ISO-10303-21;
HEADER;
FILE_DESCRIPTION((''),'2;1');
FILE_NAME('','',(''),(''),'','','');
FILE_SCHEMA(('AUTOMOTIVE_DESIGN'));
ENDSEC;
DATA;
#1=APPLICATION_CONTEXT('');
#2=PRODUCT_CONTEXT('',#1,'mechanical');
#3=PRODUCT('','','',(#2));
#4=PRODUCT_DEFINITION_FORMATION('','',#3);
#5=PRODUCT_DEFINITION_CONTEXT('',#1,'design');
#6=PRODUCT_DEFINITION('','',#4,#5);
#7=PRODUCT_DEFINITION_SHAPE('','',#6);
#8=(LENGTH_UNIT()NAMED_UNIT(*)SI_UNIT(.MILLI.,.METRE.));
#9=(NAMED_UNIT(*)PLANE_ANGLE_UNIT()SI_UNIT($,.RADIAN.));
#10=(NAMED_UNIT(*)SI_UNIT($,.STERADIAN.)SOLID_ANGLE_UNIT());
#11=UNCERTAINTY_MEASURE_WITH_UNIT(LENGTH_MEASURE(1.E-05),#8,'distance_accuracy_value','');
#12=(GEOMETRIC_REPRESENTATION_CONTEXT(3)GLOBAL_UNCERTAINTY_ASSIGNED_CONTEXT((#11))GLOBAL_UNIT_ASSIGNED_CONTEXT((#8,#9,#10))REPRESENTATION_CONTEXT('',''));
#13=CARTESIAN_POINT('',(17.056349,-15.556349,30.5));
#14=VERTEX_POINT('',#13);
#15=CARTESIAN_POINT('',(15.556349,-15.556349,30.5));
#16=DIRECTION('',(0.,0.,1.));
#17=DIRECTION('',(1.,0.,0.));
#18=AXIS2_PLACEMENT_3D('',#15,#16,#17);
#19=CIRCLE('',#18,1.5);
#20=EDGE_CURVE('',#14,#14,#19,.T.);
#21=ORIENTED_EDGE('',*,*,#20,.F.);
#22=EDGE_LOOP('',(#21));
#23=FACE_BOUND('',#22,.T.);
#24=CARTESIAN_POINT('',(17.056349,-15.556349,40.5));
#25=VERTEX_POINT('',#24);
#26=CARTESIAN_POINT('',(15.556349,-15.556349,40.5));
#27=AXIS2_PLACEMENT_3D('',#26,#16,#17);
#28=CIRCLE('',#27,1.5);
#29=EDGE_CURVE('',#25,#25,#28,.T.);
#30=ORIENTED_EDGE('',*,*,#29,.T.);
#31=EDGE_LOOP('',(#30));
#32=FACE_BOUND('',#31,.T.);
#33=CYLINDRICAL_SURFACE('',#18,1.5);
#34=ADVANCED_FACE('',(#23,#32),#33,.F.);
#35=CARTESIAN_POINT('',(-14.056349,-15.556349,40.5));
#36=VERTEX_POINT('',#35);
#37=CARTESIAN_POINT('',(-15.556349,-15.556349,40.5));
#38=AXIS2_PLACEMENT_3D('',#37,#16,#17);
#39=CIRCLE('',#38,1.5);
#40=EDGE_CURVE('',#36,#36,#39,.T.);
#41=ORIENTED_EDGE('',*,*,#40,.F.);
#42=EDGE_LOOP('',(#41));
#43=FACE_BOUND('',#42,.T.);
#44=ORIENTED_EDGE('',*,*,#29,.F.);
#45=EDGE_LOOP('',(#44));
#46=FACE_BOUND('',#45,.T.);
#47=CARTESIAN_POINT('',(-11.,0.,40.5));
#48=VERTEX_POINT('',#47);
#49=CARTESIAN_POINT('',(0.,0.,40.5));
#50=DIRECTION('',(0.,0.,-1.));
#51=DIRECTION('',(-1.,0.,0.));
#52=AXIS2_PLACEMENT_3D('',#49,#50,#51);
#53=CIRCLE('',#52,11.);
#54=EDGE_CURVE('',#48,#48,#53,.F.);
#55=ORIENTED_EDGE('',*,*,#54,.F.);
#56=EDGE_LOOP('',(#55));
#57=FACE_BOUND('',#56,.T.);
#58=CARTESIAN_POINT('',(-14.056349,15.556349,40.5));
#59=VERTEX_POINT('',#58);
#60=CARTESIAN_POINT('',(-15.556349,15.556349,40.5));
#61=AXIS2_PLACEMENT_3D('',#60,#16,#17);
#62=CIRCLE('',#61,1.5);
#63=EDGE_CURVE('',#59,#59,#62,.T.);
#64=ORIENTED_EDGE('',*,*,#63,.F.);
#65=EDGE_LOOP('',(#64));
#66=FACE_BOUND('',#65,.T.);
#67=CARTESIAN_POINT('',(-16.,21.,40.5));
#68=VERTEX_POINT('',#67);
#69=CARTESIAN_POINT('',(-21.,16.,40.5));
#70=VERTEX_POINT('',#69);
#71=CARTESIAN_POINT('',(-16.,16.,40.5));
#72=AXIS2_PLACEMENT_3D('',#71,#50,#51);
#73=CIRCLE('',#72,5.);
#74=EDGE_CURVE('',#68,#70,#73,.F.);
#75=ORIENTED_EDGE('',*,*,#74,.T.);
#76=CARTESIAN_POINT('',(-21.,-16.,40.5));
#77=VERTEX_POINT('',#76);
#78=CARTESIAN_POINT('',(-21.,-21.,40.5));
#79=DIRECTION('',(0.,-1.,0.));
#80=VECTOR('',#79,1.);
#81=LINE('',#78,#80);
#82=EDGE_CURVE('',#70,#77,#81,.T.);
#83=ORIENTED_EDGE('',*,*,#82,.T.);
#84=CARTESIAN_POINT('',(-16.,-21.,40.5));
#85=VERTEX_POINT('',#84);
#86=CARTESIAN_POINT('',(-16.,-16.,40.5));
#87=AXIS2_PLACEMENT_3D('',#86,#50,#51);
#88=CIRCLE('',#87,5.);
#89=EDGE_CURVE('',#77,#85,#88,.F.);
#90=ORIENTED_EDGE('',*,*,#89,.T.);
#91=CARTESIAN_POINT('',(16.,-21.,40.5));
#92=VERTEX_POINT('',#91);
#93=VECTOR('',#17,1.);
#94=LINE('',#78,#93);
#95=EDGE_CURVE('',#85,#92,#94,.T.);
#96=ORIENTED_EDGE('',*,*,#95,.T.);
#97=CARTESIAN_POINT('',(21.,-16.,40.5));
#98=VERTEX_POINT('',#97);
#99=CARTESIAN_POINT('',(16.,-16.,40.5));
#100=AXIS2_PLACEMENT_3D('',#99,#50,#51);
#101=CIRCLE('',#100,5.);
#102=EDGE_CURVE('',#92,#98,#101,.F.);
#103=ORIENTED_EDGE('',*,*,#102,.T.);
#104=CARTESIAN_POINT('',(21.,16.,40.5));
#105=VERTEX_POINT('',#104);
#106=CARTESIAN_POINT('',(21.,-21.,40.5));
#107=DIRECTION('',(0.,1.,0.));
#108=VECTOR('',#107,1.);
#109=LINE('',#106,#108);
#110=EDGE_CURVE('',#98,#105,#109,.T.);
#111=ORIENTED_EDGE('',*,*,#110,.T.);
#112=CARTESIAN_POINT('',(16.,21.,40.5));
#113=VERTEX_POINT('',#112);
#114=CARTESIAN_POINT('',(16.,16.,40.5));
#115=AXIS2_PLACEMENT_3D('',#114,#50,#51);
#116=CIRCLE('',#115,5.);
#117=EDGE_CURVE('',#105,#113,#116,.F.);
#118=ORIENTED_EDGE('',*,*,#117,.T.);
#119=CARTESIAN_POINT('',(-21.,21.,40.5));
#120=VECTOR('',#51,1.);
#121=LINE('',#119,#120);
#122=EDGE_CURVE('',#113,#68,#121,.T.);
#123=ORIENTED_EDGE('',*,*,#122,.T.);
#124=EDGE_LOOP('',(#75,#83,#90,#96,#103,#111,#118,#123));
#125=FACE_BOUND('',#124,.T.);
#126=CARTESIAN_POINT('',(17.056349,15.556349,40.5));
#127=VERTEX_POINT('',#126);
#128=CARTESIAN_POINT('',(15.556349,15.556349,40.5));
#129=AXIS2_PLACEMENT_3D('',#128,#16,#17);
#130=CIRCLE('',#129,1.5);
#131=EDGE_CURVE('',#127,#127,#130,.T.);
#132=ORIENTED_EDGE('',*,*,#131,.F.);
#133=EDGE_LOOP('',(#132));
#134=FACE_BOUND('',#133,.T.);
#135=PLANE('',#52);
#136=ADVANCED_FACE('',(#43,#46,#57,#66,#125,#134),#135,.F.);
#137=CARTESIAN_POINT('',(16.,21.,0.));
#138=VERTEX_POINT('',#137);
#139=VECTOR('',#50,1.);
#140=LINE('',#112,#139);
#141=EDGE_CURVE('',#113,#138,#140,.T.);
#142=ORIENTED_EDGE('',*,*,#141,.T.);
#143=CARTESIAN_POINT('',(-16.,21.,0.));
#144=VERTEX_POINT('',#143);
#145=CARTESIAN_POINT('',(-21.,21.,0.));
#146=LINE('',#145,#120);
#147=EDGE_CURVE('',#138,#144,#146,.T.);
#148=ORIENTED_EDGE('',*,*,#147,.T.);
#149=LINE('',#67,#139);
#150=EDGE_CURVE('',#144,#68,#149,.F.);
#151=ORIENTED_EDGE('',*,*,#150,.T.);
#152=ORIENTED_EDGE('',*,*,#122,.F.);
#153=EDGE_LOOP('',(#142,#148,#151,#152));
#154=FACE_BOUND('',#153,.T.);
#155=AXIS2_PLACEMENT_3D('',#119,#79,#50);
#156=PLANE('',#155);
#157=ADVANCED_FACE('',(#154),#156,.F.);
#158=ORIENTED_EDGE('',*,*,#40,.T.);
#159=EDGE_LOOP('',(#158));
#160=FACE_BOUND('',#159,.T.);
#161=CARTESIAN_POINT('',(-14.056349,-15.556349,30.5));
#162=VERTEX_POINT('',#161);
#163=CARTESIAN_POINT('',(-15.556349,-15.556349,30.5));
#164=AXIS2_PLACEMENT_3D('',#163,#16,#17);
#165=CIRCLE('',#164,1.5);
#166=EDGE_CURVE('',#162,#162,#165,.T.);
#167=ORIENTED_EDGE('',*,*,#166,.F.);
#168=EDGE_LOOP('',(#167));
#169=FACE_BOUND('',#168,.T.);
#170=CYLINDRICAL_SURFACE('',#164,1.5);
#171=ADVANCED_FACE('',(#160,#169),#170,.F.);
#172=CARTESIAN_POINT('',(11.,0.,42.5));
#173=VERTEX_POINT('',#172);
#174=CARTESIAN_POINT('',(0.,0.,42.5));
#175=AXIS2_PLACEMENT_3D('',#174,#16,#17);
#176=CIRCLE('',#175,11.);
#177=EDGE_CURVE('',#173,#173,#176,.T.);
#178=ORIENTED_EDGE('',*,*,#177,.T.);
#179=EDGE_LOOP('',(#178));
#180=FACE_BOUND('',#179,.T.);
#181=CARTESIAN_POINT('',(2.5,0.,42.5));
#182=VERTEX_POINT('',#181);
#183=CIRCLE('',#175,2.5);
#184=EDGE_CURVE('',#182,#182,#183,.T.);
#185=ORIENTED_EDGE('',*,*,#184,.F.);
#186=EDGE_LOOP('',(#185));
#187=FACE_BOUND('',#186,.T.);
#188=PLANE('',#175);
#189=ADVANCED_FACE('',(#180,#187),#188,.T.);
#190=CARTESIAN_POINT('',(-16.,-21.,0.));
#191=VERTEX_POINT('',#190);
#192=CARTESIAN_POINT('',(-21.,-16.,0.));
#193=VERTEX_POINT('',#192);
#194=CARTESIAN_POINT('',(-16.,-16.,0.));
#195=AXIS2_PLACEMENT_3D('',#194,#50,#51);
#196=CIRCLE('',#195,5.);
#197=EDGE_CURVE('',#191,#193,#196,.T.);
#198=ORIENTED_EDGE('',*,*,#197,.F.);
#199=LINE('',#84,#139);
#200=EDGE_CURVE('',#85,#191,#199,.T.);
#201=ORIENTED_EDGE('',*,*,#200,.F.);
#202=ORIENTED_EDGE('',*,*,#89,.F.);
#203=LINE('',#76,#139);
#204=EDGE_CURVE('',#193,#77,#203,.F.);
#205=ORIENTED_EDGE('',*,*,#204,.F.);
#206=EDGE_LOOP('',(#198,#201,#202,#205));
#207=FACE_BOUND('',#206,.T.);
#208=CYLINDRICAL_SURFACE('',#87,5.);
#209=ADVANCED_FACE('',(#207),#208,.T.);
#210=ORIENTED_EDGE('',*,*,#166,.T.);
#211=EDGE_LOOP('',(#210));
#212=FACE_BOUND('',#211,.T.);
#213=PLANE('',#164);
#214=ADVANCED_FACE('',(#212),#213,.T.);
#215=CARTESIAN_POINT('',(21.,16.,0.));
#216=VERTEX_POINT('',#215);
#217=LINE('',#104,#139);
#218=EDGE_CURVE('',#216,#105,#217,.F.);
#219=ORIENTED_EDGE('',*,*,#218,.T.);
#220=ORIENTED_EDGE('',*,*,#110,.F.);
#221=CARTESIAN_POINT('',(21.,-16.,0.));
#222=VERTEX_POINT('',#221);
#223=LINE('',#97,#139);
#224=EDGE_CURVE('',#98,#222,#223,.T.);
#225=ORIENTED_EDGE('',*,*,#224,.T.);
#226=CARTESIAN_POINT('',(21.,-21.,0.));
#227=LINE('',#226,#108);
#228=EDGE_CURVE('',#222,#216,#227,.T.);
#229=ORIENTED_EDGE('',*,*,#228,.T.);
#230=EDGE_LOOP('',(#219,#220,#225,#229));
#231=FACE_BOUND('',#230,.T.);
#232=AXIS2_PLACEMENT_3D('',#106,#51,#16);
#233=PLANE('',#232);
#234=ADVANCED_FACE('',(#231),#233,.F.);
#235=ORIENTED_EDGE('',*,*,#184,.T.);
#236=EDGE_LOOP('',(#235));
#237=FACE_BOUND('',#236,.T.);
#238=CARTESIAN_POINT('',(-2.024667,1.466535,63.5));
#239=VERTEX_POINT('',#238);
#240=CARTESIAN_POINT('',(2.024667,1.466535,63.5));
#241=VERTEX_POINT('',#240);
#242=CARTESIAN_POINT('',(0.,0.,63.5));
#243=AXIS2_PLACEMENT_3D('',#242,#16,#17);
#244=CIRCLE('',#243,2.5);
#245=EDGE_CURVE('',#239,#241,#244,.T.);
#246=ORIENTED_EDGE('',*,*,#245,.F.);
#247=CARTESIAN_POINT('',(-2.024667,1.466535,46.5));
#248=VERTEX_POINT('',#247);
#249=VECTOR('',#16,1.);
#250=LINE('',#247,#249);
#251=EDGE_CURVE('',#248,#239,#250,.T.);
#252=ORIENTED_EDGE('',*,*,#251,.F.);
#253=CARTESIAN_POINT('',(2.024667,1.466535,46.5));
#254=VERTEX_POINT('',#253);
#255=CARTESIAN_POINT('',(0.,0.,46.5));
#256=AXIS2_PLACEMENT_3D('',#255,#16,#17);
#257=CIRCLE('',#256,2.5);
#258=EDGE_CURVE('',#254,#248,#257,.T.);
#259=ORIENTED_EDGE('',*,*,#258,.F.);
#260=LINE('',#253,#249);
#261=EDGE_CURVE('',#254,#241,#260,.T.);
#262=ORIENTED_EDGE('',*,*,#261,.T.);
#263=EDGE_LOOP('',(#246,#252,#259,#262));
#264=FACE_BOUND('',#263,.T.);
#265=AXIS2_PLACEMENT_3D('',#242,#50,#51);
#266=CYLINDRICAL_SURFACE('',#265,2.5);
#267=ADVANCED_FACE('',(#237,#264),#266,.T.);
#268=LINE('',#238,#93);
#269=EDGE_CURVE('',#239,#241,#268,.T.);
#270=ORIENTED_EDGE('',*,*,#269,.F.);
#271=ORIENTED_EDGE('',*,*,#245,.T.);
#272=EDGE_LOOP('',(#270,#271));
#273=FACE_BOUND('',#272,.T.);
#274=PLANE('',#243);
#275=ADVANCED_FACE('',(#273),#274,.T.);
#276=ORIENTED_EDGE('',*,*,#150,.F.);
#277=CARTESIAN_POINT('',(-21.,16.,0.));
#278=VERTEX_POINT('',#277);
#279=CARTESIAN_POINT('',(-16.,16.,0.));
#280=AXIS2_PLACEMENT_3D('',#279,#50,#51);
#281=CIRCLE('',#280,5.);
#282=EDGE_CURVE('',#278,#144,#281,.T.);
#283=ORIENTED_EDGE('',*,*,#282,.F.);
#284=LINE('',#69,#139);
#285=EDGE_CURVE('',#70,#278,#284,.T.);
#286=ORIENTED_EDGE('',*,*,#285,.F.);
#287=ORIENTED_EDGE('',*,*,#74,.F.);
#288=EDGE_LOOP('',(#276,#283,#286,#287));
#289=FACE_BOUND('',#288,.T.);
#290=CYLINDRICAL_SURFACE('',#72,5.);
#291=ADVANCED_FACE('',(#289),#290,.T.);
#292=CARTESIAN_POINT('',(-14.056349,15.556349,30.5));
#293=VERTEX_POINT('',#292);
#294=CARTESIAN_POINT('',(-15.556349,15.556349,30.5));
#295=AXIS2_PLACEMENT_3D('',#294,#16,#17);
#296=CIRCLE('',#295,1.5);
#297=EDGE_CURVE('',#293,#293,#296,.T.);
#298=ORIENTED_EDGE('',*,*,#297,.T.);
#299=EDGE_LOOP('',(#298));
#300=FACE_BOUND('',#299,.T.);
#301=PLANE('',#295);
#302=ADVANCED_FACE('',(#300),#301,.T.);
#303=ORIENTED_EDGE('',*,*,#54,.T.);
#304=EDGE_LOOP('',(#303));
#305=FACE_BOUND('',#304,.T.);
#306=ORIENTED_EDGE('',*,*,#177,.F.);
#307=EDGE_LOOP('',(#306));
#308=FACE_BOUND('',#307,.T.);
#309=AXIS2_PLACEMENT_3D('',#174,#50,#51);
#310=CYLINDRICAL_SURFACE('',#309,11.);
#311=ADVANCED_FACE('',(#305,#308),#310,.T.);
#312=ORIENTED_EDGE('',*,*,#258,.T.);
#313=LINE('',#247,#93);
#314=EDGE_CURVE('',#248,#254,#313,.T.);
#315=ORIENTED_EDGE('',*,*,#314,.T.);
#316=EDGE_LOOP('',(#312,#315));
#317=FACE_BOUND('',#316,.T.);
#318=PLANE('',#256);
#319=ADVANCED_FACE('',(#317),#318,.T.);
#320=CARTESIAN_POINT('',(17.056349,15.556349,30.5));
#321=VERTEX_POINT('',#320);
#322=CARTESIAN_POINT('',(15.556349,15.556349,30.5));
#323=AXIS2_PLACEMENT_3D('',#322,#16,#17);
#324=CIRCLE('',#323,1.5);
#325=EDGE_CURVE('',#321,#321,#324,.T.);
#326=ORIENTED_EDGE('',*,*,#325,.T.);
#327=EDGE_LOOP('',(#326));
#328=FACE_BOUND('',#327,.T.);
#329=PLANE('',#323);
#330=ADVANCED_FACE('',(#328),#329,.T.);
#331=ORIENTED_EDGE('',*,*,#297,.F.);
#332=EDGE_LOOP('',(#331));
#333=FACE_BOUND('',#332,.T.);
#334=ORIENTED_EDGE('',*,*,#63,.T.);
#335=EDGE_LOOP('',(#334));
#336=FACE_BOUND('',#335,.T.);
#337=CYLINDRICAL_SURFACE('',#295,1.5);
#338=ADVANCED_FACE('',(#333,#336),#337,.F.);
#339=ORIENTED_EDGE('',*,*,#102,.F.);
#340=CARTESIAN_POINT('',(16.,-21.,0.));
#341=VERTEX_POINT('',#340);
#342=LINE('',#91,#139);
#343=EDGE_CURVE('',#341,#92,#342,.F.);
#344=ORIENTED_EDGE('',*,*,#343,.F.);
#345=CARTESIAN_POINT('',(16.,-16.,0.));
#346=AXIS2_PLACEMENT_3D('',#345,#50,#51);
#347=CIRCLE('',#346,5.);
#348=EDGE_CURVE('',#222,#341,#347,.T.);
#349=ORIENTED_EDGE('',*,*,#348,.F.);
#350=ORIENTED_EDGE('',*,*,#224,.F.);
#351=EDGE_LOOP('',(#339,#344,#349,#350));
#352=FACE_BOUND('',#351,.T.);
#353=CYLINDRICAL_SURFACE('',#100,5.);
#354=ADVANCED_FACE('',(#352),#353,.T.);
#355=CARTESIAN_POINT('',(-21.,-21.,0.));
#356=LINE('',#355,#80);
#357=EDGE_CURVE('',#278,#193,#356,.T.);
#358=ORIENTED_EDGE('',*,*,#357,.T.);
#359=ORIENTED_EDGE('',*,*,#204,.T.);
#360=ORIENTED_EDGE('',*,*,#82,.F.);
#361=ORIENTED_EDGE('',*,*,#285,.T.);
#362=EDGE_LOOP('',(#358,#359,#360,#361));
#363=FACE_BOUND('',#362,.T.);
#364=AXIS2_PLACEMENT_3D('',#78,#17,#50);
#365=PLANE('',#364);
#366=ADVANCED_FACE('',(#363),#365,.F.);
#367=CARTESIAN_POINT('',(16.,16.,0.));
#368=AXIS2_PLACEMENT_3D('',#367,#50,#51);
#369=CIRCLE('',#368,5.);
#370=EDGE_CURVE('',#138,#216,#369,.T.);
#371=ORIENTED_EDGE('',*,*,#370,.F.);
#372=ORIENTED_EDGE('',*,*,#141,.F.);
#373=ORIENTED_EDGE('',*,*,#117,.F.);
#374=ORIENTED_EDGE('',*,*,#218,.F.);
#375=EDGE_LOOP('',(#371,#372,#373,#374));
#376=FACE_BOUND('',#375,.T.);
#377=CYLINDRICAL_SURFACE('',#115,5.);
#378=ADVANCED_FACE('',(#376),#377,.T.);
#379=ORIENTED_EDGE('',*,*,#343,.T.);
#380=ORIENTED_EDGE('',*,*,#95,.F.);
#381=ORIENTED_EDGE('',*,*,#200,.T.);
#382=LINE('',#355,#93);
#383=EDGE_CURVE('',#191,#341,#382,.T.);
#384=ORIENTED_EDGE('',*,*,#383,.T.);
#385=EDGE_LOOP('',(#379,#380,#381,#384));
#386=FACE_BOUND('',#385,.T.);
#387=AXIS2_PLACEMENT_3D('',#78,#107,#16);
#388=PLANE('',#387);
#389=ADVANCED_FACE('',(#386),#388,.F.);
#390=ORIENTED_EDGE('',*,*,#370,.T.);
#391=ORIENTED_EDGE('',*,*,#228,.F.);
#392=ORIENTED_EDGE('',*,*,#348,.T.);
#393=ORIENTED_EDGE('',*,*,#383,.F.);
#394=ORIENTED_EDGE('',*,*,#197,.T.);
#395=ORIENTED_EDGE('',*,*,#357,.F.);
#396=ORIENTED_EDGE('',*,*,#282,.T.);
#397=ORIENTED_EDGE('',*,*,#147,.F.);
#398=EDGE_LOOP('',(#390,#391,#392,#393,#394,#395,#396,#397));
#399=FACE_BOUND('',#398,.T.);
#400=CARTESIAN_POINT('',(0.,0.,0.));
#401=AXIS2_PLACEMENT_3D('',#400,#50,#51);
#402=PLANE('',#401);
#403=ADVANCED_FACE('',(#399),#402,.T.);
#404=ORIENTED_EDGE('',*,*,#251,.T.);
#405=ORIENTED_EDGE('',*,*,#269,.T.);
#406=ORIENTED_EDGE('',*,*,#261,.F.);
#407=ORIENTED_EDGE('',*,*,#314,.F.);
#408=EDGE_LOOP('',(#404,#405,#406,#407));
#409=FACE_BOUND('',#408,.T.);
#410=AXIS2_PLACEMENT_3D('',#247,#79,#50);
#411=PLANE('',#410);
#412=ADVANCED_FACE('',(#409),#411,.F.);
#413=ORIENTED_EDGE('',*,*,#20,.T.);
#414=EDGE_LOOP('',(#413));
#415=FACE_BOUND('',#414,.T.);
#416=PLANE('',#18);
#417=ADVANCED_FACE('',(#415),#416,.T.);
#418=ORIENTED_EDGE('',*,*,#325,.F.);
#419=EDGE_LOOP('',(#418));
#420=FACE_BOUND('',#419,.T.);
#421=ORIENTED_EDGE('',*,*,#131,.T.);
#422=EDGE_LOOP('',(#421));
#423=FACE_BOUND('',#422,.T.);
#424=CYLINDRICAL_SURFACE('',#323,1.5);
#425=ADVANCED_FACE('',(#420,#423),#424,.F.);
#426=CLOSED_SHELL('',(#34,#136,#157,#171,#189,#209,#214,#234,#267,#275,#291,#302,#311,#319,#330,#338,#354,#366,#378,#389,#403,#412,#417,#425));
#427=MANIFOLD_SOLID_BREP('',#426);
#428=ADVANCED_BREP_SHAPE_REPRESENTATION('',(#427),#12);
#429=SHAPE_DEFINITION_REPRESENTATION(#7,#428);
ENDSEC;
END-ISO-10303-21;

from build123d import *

# Parameters (mm, degrees)
SKETCH1_W           = 42
SKETCH1_H           = 42
BOSS_EXTRUDE1_DEPTH = 40.5
SKETCH2_R           = 11
BOSS_EXTRUDE2_DEPTH = 2
SKETCH3_R           = 2.5
BOSS_EXTRUDE3_DEPTH = 21
FILLET1_R           = 5
SKETCH4_R           = 1.5
CUT_EXTRUDE1_DEPTH  = 10
CUT_EXTRUDE2_START  = -17
CUT_EXTRUDE2_DEPTH  = 17


with BuildPart() as part:
    # Sketch1 → Boss-Extrude1 (new body)
    with BuildSketch(Plane.XY):
        Rectangle(SKETCH1_W, SKETCH1_H)
    extrude(amount=BOSS_EXTRUDE1_DEPTH)

    # Sketch2 → Boss-Extrude2 (add)
    with BuildSketch(Plane.XY.offset(40.5)):
        with Locations(Location((0, 0, 0), (0, 0, 180))):
            Circle(SKETCH2_R)
    extrude(amount=BOSS_EXTRUDE2_DEPTH)

    # Sketch3 → Boss-Extrude3 (add)
    with BuildSketch(Plane.XY.offset(42.5)):
        with Locations(Location((0, 0, 0), (0, 0, 180))):
            Circle(SKETCH3_R)
    extrude(amount=BOSS_EXTRUDE3_DEPTH)

    # Fillet1
    fillet1_edges = [part.edges().sort_by_distance(p)[0] for p in [
        (21, -21, 20.25),
        (-21, -21, 20.25),
        (-21, 21, 20.25),
        (21, 21, 20.25),
    ]]
    fillet(fillet1_edges, radius=FILLET1_R)

    # Sketch4 → Cut-Extrude1 (cut)
    with BuildSketch(Plane.XY.offset(40.5)):
        with Locations((15.556349186, 15.556349186)):
            Circle(SKETCH4_R)
        with Locations((-15.556349186, -15.556349186)):
            Circle(SKETCH4_R)
        with Locations((15.556349186, -15.556349186)):
            Circle(SKETCH4_R)
        with Locations((-15.556349186, 15.556349186)):
            Circle(SKETCH4_R)
    extrude(amount=-CUT_EXTRUDE1_DEPTH, mode=Mode.SUBTRACT)

    # Sketch5 → Cut-Extrude2 (cut)
    with BuildSketch(Plane.XY.offset(63.5).offset(CUT_EXTRUDE2_START)):
        with BuildLine():
            Line((-2.024666714, 1.466534929), (2.024666714, 1.466534929))
            ThreePointArc((2.024666714, 1.466534929), (0, 2.5), (-2.024666714, 1.466534929))
        make_face()
    extrude(amount=CUT_EXTRUDE2_DEPTH, mode=Mode.SUBTRACT)


solid = part.part
